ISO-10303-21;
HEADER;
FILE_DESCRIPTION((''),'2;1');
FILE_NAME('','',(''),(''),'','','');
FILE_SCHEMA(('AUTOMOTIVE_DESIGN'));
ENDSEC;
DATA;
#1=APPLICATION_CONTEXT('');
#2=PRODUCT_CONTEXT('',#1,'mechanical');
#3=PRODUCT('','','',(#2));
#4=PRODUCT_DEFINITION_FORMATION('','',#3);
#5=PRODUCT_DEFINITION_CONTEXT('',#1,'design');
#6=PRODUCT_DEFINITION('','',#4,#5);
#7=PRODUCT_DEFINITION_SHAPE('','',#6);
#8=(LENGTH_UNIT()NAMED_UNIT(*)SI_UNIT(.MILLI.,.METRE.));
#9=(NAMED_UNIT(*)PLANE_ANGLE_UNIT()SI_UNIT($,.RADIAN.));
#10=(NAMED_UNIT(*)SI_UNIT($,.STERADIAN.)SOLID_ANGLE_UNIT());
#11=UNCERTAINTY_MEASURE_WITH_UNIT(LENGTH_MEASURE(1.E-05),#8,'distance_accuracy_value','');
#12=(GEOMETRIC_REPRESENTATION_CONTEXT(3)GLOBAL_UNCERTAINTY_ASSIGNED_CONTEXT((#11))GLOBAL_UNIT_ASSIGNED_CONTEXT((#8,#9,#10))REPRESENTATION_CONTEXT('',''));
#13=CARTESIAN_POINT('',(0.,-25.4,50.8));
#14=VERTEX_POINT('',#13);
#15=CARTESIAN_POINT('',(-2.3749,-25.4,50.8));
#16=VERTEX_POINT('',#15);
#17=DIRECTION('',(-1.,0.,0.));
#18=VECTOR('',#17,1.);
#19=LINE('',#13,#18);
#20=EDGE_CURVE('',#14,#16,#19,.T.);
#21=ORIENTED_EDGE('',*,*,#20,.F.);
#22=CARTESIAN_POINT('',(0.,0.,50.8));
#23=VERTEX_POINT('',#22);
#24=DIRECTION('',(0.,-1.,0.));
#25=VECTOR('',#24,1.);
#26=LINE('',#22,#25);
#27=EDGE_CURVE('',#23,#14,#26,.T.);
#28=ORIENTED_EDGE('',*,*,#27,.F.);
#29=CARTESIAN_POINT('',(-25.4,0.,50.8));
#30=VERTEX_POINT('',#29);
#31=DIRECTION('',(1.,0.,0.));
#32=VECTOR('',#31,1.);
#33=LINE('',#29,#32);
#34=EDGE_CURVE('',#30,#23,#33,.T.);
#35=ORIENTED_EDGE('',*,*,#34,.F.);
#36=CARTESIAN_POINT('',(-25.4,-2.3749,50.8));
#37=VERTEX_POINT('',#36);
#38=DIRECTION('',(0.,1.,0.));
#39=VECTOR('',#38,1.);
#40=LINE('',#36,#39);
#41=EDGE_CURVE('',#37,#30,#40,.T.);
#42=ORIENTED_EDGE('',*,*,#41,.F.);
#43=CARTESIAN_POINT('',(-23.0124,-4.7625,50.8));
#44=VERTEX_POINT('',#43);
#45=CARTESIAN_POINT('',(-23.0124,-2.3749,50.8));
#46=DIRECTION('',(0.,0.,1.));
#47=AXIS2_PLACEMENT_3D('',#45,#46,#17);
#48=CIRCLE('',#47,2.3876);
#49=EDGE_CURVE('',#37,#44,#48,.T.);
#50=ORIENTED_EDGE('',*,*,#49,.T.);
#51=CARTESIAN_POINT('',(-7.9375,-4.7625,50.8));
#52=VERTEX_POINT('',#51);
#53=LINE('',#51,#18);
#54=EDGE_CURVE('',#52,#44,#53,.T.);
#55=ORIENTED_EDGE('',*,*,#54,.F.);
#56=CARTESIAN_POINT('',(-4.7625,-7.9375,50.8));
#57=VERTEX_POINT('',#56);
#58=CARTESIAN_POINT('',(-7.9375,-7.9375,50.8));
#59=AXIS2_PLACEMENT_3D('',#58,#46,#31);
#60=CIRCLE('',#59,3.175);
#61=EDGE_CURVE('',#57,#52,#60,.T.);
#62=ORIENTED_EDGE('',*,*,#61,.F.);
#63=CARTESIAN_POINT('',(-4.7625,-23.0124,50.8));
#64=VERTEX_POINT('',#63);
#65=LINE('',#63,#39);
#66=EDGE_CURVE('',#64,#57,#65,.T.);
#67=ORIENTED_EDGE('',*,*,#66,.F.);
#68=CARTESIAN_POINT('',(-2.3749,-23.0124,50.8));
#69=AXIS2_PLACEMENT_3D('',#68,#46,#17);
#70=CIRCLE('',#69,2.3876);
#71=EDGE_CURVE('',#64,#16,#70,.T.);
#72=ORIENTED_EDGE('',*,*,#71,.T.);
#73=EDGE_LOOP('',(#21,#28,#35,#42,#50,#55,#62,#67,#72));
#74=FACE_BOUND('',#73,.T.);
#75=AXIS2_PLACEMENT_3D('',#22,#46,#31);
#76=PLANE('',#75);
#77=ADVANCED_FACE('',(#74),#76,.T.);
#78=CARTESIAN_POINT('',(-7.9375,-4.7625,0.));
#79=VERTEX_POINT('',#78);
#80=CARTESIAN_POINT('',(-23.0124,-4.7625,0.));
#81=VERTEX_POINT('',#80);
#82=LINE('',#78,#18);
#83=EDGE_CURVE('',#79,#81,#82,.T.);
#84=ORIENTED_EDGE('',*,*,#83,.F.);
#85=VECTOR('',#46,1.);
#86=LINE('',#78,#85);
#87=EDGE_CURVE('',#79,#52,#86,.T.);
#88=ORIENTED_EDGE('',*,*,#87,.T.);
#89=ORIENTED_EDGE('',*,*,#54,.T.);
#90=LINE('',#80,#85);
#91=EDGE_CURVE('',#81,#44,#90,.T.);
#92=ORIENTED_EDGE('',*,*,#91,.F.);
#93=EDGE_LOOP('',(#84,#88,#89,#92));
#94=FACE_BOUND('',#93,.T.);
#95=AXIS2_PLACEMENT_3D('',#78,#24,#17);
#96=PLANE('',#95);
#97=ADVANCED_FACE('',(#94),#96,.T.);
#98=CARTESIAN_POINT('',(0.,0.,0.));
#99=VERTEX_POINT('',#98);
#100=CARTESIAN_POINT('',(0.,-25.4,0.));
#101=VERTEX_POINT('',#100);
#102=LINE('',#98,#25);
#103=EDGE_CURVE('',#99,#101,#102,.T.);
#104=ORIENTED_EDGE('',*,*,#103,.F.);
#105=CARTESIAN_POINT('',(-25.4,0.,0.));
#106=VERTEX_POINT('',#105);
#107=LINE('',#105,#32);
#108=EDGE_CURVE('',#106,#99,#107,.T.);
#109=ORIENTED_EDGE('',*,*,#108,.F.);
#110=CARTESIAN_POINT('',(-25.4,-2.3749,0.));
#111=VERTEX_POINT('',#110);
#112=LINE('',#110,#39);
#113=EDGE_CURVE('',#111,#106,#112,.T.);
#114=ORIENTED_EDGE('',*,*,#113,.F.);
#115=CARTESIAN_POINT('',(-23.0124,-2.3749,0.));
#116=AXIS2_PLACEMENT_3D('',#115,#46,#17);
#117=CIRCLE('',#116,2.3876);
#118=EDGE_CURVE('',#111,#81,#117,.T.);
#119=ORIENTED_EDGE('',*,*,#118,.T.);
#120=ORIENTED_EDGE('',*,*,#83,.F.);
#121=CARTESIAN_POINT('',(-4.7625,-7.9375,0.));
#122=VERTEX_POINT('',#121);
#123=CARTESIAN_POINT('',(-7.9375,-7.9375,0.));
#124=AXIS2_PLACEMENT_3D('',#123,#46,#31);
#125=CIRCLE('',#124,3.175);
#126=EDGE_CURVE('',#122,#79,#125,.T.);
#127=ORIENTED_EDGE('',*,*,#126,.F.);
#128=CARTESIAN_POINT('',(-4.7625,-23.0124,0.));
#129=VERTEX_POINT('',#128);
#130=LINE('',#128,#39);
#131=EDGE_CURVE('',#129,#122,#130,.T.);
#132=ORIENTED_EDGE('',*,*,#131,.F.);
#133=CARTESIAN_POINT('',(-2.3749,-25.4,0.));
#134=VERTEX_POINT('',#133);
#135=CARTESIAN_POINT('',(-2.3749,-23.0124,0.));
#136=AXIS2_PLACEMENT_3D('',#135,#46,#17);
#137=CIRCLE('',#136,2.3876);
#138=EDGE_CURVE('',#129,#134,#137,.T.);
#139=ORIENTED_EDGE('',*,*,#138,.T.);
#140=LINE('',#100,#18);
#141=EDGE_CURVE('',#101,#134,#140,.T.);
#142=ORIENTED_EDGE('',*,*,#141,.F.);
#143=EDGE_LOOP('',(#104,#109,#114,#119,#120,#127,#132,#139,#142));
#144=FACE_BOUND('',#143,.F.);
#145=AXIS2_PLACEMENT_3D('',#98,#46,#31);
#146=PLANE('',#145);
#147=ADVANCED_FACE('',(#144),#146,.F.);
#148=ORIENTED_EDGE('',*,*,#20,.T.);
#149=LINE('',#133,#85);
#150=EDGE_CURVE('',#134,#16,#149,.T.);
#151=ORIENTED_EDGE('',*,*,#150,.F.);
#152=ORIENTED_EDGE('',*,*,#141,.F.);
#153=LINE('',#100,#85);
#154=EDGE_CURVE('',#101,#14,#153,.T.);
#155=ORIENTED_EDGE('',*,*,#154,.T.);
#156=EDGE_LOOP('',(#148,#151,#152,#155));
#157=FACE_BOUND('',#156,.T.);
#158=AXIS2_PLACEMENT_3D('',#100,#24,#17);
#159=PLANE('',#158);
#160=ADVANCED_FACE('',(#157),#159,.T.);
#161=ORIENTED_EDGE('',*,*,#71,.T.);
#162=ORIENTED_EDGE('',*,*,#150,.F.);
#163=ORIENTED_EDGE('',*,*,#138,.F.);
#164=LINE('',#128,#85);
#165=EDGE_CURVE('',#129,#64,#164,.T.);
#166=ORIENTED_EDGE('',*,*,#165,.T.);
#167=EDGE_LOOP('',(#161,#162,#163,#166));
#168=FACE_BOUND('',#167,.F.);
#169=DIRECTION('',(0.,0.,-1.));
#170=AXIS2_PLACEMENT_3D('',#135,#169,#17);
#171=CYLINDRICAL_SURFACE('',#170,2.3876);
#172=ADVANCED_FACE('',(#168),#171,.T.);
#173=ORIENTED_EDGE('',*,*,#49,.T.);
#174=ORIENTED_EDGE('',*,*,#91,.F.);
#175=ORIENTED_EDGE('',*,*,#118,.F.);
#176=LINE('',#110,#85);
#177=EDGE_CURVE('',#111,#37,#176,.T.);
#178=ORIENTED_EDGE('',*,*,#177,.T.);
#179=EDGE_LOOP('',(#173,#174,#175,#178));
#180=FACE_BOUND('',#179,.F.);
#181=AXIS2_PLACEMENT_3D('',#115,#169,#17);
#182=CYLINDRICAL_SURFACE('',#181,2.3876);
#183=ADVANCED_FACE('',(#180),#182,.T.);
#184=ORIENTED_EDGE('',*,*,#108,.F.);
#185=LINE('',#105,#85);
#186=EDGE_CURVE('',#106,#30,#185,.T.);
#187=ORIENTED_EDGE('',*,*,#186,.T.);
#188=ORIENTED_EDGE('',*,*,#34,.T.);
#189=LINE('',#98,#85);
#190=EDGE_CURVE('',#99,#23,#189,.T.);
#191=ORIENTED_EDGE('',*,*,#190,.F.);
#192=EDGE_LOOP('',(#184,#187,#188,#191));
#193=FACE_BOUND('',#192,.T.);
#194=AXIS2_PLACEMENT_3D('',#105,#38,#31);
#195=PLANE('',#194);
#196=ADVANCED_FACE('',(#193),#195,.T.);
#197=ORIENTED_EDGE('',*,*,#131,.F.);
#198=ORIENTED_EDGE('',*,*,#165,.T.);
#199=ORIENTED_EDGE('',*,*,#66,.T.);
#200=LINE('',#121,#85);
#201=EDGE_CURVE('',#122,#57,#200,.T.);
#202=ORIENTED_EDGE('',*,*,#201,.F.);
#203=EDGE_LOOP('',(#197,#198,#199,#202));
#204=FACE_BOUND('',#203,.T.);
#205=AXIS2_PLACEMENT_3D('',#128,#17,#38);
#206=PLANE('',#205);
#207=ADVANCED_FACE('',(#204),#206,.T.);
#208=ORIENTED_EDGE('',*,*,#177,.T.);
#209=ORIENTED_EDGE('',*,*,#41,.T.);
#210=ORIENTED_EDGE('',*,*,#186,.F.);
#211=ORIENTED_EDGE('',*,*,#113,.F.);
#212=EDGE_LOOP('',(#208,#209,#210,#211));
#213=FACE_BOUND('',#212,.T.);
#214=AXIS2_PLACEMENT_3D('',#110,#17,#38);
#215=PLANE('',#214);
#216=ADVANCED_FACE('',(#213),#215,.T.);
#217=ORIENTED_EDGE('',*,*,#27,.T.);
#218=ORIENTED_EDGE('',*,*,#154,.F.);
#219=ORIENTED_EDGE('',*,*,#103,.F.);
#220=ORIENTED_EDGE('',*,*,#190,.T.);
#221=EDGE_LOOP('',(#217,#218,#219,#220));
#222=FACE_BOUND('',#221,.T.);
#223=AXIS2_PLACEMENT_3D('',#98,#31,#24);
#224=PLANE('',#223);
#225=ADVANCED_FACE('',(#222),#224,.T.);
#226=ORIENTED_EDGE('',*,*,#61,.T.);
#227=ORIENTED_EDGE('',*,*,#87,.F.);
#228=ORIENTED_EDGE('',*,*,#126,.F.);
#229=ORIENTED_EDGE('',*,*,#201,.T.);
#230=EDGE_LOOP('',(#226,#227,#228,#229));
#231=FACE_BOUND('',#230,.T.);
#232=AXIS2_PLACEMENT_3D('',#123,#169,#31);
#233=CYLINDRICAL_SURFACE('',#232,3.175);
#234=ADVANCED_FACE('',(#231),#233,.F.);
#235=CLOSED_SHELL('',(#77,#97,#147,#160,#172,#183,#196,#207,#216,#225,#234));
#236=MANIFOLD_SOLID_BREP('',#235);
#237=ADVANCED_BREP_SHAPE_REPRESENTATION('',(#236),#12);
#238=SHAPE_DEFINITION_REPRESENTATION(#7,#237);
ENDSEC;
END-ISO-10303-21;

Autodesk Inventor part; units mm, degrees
ref_plane "YZ Plane" through (0, 0, 0) normal (1, 0, 0) x (0, 1, 0)
ref_plane "XZ Plane" through (0, 0, 0) normal (0, 1, 0) x (-1, 0, 0)
ref_plane "XY Plane" through (0, 0, 0) normal (0, 0, 1) x (1, 0, 0)
sketch "Sketch1" plane through (0, 0, 0) normal (0, 0, 1) x (1, 0, 0)
  line L0 (0, 0) -> (0, -25.4)
  line L1 (0, -25.4) -> (-2.3749, -25.4)
  line L2 (-4.7625, -23.0124) -> (-4.7625, -7.9375)
  line L3 (-7.9375, -4.7625) -> (-23.0124, -4.7625)
  line L4 (-25.4, -2.3749) -> (-25.4, 0)
  line L5 (-25.4, 0) -> (0, 0)
  arc A0 (-4.7625, -7.9375) -> (-7.9375, -4.7625) centre (-7.9375, -7.9375) ccw
  arc A1 (-25.4, -2.3749) -> (-23.0124, -4.7625) centre (-23.0124, -2.3749) ccw
  arc A2 (-4.7625, -23.0124) -> (-2.3749, -25.4) centre (-2.3749, -23.0124) ccw
  dimension "d2" = 25.4
  dimension "d3" = 4.7625
  dimension "d4" = 3.175
  dimension "d5" = 2.3876
extrude "Extrusion1" add sketch "Sketch1" along normal blind 50.8
properties part number "GE-12027-06"
